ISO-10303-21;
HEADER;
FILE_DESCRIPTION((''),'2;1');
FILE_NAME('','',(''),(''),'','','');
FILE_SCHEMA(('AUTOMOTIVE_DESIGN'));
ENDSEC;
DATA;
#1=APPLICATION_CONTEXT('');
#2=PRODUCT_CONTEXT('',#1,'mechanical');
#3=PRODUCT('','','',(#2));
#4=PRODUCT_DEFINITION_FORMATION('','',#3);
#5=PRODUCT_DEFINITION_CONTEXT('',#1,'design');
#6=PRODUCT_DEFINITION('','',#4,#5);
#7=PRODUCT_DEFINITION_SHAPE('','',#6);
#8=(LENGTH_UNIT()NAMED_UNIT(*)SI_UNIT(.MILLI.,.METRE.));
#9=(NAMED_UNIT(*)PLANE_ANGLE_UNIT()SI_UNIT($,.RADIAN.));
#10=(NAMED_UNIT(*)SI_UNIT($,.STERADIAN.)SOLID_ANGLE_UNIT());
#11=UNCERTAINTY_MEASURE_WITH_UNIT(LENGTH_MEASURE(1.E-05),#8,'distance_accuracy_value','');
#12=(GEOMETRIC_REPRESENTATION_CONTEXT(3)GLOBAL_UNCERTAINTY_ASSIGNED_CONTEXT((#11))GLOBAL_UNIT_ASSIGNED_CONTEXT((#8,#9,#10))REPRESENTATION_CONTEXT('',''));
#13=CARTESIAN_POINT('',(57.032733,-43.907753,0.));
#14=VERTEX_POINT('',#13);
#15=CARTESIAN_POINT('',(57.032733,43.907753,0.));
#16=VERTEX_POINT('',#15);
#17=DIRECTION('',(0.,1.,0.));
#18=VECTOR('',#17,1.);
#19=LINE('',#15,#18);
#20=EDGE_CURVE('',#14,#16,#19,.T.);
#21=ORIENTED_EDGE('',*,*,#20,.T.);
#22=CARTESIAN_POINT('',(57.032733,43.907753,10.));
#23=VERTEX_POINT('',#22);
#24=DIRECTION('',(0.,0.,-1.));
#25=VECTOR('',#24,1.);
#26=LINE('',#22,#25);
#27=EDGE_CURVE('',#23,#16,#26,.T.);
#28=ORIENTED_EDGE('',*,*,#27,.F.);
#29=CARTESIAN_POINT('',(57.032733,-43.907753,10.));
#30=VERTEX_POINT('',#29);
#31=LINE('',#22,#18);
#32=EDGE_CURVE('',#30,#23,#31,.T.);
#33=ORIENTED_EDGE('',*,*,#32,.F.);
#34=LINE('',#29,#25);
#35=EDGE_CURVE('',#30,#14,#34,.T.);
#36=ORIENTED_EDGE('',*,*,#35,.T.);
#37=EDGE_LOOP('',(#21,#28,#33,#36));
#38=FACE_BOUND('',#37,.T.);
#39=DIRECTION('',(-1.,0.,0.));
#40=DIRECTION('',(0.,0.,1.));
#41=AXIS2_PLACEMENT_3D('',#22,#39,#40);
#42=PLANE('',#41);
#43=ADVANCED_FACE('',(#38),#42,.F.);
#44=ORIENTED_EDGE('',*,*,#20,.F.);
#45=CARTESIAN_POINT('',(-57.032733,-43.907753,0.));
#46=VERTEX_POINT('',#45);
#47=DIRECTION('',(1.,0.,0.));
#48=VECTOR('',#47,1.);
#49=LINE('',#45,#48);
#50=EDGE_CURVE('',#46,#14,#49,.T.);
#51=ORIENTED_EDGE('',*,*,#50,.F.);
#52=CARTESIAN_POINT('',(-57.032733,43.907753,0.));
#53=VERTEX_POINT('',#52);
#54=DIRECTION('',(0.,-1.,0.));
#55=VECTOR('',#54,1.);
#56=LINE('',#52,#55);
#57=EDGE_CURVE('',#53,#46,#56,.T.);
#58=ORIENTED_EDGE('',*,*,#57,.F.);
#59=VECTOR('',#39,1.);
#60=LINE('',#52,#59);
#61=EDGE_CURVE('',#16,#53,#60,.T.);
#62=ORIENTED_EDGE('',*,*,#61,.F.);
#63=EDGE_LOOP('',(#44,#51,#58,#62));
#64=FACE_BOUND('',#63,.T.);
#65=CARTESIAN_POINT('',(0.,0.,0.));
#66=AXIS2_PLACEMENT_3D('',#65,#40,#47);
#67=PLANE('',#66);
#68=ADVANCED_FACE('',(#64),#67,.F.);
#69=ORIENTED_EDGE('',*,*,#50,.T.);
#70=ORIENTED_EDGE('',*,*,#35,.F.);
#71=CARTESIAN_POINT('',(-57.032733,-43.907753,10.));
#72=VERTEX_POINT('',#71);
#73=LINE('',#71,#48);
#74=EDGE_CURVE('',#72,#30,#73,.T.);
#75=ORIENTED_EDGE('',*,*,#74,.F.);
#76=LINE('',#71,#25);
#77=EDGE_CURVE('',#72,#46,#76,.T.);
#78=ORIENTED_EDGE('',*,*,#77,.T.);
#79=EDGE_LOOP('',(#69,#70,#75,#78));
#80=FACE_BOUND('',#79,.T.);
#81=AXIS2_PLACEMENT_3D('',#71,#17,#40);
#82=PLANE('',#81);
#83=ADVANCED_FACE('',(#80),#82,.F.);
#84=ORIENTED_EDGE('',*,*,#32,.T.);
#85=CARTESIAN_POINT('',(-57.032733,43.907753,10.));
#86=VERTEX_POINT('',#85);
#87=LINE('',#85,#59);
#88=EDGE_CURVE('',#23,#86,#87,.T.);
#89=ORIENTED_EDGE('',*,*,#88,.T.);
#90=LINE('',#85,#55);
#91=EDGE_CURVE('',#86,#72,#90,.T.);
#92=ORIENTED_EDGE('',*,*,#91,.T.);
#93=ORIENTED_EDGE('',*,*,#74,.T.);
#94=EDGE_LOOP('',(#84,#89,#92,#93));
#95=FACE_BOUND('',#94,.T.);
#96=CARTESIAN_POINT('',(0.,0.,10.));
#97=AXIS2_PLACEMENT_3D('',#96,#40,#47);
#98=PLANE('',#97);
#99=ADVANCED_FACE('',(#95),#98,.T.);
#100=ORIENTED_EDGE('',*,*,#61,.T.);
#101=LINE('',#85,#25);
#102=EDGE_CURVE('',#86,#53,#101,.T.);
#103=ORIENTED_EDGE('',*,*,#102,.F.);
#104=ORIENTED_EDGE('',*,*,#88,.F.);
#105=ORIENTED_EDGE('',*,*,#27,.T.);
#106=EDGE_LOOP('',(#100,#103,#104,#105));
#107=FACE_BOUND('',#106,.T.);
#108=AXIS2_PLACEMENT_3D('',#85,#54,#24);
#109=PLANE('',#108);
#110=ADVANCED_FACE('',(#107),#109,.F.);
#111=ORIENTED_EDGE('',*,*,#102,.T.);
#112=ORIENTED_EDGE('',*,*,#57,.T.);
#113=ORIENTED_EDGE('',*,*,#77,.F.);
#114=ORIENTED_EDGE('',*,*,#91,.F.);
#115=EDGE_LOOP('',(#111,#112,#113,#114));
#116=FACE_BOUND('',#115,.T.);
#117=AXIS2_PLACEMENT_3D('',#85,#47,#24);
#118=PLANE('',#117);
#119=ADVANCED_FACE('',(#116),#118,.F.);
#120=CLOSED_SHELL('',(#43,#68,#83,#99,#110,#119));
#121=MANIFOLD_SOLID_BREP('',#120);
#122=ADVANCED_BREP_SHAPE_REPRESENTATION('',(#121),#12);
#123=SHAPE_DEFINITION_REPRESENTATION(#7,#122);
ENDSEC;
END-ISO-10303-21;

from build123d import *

# Parameters (mm, degrees)
IZIM1_W                     = 114.06546689
IZIM1_H                     = 87.815505618
Y_KSEKLIK_EKSTR_ZYON1_DEPTH = 10


with BuildPart() as part:
    # Çizim1 → Yükseklik-Ekstrüzyon1 (new body)
    with BuildSketch(Plane.XY):
        Rectangle(IZIM1_W, IZIM1_H)
    extrude(amount=Y_KSEKLIK_EKSTR_ZYON1_DEPTH)


solid = part.part
